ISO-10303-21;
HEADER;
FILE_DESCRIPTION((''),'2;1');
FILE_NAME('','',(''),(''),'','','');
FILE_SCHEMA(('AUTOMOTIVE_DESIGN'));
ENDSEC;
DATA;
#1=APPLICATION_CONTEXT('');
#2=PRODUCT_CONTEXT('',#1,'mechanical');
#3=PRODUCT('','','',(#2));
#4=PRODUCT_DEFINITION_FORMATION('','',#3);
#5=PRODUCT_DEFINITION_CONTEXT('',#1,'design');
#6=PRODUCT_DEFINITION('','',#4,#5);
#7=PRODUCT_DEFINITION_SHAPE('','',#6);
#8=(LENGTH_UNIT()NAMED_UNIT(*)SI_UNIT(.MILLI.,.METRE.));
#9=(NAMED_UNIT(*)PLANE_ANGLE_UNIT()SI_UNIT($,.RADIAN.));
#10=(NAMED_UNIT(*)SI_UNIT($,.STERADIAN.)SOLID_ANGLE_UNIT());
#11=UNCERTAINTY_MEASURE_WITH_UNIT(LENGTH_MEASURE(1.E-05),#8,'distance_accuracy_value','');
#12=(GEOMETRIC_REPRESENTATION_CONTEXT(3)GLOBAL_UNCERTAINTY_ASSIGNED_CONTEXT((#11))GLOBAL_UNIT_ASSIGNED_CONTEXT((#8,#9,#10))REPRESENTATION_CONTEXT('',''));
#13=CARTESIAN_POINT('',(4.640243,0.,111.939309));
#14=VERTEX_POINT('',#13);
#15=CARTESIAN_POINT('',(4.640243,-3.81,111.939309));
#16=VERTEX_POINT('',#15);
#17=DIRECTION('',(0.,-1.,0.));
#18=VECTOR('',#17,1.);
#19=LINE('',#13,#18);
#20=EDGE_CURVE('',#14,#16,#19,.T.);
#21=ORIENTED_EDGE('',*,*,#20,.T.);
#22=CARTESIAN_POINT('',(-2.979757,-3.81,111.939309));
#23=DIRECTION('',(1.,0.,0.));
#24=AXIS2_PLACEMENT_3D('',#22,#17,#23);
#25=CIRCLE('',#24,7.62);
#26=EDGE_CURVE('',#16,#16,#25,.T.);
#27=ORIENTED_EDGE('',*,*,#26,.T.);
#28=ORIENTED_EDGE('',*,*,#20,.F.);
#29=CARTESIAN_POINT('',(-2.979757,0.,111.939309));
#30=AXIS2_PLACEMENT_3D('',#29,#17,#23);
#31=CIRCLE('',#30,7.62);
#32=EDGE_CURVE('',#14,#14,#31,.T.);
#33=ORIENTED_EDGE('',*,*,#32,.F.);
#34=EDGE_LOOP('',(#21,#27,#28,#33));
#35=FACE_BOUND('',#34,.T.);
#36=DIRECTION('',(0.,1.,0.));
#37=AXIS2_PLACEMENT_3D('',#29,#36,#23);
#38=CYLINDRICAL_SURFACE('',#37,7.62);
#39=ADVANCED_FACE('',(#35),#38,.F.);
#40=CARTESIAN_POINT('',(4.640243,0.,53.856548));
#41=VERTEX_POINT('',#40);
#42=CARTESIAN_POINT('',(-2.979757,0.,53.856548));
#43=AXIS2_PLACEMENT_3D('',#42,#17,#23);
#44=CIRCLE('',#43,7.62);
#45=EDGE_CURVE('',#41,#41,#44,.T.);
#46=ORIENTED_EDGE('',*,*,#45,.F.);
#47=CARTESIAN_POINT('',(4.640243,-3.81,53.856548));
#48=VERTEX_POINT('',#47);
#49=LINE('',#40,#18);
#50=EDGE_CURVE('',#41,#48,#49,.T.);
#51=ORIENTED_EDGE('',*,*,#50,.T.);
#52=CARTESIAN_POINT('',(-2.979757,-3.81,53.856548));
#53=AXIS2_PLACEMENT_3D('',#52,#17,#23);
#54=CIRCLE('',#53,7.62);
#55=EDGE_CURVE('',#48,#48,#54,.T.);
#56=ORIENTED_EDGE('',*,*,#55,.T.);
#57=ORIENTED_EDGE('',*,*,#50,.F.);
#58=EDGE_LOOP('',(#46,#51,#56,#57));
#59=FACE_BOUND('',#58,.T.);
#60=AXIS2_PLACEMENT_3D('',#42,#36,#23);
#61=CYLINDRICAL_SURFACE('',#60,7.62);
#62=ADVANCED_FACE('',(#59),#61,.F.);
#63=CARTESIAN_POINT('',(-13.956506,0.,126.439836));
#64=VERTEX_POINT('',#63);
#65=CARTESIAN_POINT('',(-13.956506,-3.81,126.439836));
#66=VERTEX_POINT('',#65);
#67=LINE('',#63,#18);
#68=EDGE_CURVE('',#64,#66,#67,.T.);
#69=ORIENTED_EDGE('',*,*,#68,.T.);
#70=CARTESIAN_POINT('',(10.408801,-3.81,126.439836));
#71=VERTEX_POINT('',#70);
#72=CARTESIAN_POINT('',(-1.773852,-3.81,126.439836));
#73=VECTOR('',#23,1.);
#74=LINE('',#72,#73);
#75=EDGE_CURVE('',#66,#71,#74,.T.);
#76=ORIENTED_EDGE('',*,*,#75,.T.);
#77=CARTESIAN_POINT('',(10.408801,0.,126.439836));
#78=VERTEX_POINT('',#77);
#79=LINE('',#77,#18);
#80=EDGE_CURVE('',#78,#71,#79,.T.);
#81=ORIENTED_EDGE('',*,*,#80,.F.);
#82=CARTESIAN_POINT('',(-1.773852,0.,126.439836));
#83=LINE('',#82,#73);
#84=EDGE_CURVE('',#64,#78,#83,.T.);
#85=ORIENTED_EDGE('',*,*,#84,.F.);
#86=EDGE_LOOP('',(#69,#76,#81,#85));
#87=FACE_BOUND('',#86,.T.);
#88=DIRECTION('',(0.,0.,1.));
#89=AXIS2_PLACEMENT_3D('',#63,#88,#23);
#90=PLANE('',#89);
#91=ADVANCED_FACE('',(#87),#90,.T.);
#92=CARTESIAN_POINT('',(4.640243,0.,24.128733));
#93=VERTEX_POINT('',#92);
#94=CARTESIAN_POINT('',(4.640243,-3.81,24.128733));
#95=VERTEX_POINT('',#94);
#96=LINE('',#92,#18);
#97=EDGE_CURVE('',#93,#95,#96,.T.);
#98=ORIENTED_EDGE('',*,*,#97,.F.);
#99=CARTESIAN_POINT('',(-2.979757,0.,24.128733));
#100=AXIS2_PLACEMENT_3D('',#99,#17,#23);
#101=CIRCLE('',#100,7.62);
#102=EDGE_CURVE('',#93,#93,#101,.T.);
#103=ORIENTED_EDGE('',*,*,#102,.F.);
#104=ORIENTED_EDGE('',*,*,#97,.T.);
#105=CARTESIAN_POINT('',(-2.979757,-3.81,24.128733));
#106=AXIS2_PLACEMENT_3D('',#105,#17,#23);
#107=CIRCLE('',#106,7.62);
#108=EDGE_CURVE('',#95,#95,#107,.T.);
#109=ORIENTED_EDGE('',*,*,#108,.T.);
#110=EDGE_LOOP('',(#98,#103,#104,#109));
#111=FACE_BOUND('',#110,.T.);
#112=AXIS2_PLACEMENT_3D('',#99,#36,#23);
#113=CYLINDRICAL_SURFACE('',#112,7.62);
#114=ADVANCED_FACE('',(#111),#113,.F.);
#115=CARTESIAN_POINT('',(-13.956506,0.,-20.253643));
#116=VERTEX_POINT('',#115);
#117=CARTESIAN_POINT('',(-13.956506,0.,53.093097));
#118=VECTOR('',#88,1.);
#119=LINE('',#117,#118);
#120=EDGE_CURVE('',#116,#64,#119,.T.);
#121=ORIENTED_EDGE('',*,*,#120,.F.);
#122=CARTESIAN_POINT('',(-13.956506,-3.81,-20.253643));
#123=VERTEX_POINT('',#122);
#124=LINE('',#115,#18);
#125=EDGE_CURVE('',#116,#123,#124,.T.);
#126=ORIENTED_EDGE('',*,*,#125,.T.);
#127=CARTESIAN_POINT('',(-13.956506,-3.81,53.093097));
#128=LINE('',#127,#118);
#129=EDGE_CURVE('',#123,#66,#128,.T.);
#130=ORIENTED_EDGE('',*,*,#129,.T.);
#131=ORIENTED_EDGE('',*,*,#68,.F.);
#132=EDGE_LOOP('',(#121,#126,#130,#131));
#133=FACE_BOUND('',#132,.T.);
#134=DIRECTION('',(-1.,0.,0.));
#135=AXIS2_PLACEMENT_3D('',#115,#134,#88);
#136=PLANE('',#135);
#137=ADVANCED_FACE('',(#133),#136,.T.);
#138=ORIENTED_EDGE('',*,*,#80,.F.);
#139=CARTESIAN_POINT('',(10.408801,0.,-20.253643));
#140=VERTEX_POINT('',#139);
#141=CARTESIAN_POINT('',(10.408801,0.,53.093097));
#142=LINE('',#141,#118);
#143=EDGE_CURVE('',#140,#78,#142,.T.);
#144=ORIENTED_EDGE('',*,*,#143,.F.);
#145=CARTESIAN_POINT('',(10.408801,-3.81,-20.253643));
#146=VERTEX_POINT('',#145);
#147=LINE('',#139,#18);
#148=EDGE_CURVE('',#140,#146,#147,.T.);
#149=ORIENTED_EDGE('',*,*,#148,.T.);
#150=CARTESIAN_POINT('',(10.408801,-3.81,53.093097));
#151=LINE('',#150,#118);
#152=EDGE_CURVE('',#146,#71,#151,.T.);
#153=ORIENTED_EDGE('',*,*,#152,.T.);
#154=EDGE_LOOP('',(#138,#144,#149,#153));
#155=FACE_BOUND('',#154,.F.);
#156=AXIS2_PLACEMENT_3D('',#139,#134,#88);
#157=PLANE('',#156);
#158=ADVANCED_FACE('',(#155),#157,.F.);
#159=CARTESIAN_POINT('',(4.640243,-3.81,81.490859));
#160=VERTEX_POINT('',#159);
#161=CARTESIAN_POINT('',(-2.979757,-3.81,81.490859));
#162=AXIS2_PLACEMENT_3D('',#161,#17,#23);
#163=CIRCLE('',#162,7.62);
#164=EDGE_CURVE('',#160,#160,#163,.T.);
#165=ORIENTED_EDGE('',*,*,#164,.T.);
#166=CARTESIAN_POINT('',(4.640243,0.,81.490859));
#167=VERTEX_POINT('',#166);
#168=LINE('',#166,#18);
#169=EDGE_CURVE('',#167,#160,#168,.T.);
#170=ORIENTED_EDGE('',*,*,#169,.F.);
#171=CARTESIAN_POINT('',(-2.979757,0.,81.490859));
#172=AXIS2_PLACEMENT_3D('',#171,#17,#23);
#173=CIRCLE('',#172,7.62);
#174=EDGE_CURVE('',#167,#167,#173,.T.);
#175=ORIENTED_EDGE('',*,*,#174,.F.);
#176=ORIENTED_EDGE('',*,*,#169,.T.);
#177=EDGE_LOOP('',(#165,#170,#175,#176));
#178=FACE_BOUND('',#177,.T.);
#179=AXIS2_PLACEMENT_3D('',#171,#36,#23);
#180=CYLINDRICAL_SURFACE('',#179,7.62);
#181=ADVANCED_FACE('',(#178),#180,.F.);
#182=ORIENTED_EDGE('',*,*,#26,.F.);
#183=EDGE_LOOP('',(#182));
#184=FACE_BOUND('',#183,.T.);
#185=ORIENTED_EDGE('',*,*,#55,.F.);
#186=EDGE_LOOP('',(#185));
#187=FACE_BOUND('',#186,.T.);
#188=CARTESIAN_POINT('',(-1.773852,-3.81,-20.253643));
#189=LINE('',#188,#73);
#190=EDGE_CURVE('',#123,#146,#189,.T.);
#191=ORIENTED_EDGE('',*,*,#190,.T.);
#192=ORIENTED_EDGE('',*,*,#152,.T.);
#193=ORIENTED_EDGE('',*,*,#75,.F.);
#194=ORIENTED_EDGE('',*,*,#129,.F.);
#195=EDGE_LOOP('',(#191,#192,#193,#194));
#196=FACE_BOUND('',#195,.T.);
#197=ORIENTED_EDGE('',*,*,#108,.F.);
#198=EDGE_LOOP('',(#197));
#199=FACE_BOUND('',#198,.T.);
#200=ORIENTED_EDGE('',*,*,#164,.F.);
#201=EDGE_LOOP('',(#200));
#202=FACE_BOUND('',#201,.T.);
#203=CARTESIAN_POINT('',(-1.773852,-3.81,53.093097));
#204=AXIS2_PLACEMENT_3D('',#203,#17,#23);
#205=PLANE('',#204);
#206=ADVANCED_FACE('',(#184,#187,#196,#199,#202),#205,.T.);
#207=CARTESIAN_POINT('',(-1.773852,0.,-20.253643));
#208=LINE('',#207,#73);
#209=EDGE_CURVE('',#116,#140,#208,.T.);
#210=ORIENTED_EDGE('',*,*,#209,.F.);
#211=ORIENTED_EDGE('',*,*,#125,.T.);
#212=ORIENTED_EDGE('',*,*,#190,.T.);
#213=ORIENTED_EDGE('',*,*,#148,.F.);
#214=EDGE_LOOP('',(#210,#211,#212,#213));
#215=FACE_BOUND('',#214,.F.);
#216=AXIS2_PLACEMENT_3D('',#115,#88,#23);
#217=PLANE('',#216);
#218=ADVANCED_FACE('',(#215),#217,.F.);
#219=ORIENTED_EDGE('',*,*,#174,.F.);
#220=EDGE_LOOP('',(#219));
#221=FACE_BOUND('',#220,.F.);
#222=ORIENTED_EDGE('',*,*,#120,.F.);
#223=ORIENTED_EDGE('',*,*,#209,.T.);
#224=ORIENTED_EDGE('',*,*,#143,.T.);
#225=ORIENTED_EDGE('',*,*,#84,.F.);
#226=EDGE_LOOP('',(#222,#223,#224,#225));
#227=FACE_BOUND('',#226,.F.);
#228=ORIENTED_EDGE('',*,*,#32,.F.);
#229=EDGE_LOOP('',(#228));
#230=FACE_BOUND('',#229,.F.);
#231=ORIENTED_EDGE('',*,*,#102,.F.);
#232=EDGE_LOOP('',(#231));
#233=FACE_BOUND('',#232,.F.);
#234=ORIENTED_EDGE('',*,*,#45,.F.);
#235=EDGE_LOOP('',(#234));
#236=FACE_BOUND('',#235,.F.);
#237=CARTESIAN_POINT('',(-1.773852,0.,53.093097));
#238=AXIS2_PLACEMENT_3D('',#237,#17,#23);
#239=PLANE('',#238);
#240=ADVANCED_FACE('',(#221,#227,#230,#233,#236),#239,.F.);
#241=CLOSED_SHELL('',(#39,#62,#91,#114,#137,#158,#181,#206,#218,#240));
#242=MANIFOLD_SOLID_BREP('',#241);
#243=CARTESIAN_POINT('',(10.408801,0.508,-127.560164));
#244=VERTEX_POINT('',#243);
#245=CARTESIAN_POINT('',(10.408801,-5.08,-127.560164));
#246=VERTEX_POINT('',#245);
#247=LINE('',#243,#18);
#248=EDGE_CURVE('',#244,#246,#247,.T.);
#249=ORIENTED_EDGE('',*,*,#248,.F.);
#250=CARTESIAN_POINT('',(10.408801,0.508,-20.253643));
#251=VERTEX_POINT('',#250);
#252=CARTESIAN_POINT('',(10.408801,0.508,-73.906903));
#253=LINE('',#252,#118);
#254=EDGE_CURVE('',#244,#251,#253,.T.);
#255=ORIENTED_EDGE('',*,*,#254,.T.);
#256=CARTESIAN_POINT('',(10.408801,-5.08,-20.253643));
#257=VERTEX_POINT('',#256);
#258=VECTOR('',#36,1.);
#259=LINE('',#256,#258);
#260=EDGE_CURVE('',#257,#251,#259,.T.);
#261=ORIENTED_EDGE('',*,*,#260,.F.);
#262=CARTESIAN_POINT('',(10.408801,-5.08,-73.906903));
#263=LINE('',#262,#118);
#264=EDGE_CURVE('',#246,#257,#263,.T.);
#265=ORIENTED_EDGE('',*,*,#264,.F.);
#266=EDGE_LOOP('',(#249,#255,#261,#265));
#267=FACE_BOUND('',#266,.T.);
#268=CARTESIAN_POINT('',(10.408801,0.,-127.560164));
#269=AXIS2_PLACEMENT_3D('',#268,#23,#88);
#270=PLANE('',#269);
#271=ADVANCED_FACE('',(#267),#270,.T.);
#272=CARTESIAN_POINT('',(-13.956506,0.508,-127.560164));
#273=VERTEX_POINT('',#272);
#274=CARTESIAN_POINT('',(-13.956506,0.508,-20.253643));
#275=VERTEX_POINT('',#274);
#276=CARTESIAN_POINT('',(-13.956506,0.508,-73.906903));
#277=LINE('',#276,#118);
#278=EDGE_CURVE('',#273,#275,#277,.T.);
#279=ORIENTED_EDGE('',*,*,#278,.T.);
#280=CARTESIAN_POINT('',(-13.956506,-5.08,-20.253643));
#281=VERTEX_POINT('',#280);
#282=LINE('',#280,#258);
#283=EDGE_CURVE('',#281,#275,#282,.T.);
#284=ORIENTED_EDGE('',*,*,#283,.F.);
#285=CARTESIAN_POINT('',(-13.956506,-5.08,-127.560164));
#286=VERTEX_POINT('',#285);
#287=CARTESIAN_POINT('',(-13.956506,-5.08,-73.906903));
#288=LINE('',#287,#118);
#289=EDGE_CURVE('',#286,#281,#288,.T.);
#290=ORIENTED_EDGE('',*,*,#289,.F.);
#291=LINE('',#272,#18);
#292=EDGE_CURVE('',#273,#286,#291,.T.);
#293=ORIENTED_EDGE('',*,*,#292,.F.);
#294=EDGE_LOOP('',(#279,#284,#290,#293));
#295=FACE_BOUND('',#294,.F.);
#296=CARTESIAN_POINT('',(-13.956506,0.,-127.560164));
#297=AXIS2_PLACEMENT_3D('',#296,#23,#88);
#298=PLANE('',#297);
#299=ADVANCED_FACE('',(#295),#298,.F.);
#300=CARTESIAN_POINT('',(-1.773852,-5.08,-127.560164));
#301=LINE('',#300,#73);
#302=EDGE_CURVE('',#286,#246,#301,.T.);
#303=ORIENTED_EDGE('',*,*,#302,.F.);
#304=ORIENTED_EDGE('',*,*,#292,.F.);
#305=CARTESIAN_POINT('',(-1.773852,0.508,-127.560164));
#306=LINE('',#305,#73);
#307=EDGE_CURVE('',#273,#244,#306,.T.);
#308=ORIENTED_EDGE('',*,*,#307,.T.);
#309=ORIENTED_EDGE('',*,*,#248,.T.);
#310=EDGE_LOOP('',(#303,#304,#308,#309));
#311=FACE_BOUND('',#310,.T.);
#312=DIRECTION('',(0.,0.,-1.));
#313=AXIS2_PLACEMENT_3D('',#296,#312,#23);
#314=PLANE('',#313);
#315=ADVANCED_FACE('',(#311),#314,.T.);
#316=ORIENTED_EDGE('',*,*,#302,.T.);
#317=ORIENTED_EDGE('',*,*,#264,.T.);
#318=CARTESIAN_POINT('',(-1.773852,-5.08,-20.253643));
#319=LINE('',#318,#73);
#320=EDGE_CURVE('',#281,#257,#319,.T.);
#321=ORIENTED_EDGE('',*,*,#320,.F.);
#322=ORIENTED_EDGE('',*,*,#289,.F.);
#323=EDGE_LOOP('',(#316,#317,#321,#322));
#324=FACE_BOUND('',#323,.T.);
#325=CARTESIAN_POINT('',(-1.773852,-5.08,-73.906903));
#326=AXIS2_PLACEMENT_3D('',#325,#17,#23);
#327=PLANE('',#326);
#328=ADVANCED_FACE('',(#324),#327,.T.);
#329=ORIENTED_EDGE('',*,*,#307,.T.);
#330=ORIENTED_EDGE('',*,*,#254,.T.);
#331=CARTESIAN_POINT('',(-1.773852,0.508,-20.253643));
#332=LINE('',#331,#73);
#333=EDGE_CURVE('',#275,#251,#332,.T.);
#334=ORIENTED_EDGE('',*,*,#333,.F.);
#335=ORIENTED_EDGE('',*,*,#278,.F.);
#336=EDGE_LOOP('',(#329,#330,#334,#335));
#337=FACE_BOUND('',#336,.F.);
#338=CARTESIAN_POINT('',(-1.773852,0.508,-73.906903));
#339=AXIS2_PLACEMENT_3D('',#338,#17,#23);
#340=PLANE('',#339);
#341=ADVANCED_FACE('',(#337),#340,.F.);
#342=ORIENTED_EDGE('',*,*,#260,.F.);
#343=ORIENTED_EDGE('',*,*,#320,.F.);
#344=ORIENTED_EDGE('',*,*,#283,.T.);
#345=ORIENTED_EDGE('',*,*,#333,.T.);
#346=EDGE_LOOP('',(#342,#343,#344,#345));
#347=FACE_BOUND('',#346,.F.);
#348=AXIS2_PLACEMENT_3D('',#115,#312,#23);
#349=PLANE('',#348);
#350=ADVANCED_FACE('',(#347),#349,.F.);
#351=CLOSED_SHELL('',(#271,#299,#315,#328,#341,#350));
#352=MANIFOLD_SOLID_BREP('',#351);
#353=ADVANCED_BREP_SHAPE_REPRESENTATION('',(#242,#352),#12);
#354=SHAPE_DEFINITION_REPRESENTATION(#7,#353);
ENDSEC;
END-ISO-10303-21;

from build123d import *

# Parameters (mm, degrees)
F0_W          = 24.365307
F0_H          = 146.693479
F0_R          = 7.62
F1_DEPTH      = 3.81
F0_H_2        = 107.306521
F2_DEPTH      = 5.08
F2_DEPTH_BACK = 0.508


with BuildPart() as f1:
    # F0 (on Front) → F1 (new body)
    with BuildSketch(Plane.XZ):
        with Locations((-1.773852, 53.093097)):
            Rectangle(F0_W, F0_H)
        with Locations((-2.979757, 24.128733)):
            Circle(F0_R, mode=Mode.SUBTRACT)
        with Locations((-2.979757, 53.856548)):
            Circle(F0_R, mode=Mode.SUBTRACT)
        with Locations((-2.979757, 81.490859)):
            Circle(F0_R, mode=Mode.SUBTRACT)
        with Locations((-2.979757, 111.939309)):
            Circle(F0_R, mode=Mode.SUBTRACT)
    extrude(amount=F1_DEPTH)


with BuildPart() as f2:
    # F0 (on Front) → F2 (new body, two sides)
    with BuildSketch(Plane.XZ) as f2_sk:
        with Locations((-1.773852, -73.906903)):
            Rectangle(F0_W, F0_H_2)
    extrude(amount=F2_DEPTH)
    extrude(f2_sk.sketch, amount=-F2_DEPTH_BACK)


solid = Compound([f1.part, f2.part])
